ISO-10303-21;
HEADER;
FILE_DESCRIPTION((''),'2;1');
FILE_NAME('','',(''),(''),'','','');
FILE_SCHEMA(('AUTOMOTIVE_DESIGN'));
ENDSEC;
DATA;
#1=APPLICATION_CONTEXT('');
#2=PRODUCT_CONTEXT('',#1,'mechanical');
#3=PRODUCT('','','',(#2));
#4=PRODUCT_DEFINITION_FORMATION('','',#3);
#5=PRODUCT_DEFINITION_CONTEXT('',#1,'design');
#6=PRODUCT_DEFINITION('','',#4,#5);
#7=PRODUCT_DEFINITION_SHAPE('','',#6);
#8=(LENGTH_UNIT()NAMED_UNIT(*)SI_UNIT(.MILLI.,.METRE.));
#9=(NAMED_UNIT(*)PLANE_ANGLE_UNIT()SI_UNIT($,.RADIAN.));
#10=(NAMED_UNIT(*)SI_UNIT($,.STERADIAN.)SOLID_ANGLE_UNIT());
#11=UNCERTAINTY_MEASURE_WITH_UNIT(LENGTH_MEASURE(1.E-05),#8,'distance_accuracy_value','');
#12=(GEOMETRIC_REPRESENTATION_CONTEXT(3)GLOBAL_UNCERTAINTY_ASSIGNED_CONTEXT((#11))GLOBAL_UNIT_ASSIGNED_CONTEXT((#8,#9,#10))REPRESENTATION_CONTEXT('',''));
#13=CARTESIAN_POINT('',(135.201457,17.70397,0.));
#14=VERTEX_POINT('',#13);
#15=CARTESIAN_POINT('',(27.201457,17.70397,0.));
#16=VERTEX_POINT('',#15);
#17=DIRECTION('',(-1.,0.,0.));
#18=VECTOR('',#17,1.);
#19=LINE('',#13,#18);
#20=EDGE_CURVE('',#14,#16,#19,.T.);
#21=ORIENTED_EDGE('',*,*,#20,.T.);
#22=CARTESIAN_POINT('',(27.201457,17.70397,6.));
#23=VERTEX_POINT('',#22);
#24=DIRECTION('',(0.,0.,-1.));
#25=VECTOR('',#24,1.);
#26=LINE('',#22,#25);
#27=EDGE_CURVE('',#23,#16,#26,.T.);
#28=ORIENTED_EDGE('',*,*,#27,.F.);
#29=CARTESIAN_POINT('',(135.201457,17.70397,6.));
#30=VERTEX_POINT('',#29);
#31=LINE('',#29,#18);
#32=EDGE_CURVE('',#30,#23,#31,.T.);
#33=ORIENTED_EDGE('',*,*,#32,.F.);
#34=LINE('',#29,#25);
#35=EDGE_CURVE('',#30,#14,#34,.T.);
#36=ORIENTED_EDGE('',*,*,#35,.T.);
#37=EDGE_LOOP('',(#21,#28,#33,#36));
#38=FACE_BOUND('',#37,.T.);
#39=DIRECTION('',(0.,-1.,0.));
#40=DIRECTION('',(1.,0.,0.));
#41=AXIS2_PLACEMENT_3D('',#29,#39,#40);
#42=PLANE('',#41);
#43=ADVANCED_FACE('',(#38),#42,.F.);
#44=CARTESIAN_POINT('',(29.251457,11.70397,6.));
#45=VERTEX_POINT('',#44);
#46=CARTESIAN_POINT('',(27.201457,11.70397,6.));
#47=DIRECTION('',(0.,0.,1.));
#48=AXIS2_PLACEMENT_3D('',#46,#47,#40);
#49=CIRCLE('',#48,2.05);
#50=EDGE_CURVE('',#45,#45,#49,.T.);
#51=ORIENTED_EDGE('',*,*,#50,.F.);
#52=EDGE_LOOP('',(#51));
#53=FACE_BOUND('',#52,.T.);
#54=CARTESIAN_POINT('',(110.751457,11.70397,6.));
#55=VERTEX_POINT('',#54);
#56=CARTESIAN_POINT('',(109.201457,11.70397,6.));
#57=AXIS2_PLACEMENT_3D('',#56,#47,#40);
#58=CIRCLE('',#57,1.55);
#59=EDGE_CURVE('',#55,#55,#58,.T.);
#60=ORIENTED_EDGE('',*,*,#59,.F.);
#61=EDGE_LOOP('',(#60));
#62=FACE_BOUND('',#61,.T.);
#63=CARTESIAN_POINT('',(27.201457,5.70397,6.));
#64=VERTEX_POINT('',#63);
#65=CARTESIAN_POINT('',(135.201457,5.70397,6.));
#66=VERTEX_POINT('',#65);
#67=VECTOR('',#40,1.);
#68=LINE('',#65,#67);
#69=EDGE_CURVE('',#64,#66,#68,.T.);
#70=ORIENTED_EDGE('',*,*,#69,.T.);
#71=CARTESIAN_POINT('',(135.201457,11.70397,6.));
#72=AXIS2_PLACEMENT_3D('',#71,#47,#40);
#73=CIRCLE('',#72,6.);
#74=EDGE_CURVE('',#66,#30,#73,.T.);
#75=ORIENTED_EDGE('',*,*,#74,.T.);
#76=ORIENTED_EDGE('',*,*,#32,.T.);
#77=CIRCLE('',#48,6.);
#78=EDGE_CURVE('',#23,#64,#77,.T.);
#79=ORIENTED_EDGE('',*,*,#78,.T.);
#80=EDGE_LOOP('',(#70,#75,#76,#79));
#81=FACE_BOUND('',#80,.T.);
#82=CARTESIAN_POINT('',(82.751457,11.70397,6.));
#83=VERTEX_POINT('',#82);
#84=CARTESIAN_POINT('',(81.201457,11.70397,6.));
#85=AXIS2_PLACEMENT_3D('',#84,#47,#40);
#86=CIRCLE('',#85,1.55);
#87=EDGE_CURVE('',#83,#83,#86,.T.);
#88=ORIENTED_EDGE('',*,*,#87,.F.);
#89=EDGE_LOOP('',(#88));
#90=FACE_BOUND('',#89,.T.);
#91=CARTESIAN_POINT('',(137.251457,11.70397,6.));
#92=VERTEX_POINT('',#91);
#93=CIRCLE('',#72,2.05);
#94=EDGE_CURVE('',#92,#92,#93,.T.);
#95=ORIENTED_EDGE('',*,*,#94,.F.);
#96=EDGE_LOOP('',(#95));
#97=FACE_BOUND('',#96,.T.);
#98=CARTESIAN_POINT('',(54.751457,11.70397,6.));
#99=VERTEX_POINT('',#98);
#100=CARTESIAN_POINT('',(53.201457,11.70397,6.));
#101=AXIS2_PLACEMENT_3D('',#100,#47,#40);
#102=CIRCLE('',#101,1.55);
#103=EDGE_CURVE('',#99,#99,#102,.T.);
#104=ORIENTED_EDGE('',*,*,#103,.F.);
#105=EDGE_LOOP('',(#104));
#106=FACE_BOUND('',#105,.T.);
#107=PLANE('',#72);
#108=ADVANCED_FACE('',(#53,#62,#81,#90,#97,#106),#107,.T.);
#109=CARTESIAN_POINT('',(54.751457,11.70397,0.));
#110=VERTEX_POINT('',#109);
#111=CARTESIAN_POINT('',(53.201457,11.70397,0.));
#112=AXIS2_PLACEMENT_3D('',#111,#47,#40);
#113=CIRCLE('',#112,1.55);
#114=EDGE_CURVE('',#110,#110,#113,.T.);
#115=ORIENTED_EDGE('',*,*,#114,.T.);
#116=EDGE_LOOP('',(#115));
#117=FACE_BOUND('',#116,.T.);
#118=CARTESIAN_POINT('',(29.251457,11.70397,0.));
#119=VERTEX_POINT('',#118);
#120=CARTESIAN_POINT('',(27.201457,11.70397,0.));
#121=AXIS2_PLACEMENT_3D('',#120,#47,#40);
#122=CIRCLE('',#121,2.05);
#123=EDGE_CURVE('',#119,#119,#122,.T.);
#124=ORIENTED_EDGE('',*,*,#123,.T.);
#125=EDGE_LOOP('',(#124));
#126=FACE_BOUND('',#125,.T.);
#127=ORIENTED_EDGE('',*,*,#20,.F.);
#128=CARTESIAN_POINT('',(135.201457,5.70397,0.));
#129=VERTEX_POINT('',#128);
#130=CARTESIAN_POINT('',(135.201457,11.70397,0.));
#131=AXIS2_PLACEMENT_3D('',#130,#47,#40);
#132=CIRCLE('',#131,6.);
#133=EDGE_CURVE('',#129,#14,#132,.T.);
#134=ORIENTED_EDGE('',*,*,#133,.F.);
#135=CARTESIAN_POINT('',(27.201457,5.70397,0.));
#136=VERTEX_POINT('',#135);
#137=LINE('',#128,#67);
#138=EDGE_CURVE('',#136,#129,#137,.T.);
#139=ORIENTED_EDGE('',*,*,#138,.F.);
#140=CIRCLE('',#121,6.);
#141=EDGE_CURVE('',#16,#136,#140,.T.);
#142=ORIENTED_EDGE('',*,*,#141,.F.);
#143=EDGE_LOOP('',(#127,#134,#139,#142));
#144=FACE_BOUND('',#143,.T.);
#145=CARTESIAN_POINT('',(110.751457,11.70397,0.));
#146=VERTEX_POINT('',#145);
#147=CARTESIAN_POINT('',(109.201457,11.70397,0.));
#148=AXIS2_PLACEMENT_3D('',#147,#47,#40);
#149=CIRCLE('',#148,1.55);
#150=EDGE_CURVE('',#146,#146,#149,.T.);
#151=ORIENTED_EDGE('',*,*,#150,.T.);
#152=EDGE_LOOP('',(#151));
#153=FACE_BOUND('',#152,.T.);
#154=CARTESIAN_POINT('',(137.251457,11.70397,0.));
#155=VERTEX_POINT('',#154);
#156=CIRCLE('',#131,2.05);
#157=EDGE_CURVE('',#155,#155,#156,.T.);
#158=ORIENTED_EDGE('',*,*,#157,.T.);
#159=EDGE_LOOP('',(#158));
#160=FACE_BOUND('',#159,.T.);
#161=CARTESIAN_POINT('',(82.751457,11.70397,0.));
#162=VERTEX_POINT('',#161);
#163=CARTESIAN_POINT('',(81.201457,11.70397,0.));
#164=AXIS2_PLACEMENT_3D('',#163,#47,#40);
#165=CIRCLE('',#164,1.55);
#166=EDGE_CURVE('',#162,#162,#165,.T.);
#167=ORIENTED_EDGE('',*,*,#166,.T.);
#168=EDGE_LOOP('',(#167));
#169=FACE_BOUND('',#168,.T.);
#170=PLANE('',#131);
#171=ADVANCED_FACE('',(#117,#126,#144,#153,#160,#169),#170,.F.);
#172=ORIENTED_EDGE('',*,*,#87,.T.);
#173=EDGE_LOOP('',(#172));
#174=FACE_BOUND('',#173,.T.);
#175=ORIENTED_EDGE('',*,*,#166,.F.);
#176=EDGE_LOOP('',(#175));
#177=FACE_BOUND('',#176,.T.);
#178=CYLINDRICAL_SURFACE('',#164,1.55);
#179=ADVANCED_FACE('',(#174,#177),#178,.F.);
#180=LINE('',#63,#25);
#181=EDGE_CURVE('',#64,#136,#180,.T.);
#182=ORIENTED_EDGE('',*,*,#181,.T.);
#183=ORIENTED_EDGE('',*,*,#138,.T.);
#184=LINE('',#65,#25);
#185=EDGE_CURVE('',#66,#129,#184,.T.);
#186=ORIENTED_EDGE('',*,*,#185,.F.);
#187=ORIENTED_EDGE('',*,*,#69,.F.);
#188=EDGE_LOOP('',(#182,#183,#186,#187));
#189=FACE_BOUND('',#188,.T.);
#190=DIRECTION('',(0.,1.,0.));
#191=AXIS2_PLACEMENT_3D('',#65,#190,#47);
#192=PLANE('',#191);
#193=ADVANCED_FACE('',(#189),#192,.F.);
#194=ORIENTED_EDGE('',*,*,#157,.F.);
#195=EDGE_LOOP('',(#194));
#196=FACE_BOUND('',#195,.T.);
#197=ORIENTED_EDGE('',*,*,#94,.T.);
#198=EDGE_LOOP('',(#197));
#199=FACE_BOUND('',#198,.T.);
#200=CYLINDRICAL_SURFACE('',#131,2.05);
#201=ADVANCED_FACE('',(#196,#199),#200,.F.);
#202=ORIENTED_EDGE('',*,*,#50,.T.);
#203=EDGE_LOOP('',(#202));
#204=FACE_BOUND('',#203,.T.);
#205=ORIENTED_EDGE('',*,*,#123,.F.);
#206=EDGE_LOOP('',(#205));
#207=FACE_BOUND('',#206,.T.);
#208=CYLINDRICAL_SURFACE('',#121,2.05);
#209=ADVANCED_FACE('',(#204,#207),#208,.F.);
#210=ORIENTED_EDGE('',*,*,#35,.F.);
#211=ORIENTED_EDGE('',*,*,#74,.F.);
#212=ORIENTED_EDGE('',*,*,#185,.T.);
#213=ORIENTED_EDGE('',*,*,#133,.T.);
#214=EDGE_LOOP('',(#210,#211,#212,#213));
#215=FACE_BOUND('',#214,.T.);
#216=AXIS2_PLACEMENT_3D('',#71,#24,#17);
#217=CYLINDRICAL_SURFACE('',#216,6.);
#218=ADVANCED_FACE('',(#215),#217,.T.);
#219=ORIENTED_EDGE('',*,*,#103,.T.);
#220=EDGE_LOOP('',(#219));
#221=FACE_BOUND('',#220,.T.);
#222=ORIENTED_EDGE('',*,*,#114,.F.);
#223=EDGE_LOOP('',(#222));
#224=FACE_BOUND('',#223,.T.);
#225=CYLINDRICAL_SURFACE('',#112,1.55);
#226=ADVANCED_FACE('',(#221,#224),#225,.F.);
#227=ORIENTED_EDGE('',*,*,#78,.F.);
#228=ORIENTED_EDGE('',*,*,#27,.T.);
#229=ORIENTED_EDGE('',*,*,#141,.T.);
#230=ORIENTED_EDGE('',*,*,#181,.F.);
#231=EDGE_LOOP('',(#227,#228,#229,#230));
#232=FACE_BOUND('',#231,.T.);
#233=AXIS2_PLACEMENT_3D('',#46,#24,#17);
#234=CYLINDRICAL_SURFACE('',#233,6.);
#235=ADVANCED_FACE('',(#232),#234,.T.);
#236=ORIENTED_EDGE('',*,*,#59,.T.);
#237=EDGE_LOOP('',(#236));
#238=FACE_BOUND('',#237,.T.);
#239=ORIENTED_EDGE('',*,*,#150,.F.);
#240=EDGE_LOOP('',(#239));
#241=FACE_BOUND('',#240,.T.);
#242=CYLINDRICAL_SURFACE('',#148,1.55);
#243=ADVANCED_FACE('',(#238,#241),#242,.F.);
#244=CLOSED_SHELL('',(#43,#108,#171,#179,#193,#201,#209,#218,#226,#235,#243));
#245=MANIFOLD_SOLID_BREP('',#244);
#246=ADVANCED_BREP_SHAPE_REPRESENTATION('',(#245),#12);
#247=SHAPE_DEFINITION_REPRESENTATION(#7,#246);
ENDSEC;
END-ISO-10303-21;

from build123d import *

# Parameters (mm, degrees)
DODANIE_WYCI_GNI_CIE1_DEPTH = 6
SZKIC2_R                    = 2.05
WYTNIJ_WYCI_GNI_CIE1_DEPTH  = 6
SZKIC3_R                    = 1.55
WYTNIJ_WYCI_GNI_CIE2_DEPTH  = 6


with BuildPart() as part:
    # Szkic1 → Dodanie-wyciągnięcie1 (new body)
    with BuildSketch(Plane.XY):
        with BuildLine():
            Line((135.201456632, 17.703969636), (27.201456632, 17.703969636))
            ThreePointArc((27.201456632, 17.703969636), (21.201456632, 11.703969636), (27.201456632, 5.703969636))
            Line((27.201456632, 5.703969636), (135.201456632, 5.703969636))
            ThreePointArc((135.201456632, 5.703969636), (141.201456632, 11.703969636), (135.201456632, 17.703969636))
        make_face()
    extrude(amount=DODANIE_WYCI_GNI_CIE1_DEPTH)

    # Szkic2 → Wytnij-wyciągnięcie1 (cut)
    with BuildSketch(Plane.XY.offset(6)):
        with Locations((135.201456632, 11.703969636)):
            Circle(SZKIC2_R)
        with Locations((27.201456632, 11.703969636)):
            Circle(SZKIC2_R)
    extrude(amount=-WYTNIJ_WYCI_GNI_CIE1_DEPTH, mode=Mode.SUBTRACT)

    # Szkic3 → Wytnij-wyciągnięcie2 (cut)
    with BuildSketch(Plane.XY.offset(6)):
        with Locations((53.201456632, 11.703969636)):
            Circle(SZKIC3_R)
        with Locations((81.201456632, 11.703969636)):
            Circle(SZKIC3_R)
        with Locations((109.201456632, 11.703969636)):
            Circle(SZKIC3_R)
    extrude(amount=-WYTNIJ_WYCI_GNI_CIE2_DEPTH, mode=Mode.SUBTRACT)


solid = part.part
